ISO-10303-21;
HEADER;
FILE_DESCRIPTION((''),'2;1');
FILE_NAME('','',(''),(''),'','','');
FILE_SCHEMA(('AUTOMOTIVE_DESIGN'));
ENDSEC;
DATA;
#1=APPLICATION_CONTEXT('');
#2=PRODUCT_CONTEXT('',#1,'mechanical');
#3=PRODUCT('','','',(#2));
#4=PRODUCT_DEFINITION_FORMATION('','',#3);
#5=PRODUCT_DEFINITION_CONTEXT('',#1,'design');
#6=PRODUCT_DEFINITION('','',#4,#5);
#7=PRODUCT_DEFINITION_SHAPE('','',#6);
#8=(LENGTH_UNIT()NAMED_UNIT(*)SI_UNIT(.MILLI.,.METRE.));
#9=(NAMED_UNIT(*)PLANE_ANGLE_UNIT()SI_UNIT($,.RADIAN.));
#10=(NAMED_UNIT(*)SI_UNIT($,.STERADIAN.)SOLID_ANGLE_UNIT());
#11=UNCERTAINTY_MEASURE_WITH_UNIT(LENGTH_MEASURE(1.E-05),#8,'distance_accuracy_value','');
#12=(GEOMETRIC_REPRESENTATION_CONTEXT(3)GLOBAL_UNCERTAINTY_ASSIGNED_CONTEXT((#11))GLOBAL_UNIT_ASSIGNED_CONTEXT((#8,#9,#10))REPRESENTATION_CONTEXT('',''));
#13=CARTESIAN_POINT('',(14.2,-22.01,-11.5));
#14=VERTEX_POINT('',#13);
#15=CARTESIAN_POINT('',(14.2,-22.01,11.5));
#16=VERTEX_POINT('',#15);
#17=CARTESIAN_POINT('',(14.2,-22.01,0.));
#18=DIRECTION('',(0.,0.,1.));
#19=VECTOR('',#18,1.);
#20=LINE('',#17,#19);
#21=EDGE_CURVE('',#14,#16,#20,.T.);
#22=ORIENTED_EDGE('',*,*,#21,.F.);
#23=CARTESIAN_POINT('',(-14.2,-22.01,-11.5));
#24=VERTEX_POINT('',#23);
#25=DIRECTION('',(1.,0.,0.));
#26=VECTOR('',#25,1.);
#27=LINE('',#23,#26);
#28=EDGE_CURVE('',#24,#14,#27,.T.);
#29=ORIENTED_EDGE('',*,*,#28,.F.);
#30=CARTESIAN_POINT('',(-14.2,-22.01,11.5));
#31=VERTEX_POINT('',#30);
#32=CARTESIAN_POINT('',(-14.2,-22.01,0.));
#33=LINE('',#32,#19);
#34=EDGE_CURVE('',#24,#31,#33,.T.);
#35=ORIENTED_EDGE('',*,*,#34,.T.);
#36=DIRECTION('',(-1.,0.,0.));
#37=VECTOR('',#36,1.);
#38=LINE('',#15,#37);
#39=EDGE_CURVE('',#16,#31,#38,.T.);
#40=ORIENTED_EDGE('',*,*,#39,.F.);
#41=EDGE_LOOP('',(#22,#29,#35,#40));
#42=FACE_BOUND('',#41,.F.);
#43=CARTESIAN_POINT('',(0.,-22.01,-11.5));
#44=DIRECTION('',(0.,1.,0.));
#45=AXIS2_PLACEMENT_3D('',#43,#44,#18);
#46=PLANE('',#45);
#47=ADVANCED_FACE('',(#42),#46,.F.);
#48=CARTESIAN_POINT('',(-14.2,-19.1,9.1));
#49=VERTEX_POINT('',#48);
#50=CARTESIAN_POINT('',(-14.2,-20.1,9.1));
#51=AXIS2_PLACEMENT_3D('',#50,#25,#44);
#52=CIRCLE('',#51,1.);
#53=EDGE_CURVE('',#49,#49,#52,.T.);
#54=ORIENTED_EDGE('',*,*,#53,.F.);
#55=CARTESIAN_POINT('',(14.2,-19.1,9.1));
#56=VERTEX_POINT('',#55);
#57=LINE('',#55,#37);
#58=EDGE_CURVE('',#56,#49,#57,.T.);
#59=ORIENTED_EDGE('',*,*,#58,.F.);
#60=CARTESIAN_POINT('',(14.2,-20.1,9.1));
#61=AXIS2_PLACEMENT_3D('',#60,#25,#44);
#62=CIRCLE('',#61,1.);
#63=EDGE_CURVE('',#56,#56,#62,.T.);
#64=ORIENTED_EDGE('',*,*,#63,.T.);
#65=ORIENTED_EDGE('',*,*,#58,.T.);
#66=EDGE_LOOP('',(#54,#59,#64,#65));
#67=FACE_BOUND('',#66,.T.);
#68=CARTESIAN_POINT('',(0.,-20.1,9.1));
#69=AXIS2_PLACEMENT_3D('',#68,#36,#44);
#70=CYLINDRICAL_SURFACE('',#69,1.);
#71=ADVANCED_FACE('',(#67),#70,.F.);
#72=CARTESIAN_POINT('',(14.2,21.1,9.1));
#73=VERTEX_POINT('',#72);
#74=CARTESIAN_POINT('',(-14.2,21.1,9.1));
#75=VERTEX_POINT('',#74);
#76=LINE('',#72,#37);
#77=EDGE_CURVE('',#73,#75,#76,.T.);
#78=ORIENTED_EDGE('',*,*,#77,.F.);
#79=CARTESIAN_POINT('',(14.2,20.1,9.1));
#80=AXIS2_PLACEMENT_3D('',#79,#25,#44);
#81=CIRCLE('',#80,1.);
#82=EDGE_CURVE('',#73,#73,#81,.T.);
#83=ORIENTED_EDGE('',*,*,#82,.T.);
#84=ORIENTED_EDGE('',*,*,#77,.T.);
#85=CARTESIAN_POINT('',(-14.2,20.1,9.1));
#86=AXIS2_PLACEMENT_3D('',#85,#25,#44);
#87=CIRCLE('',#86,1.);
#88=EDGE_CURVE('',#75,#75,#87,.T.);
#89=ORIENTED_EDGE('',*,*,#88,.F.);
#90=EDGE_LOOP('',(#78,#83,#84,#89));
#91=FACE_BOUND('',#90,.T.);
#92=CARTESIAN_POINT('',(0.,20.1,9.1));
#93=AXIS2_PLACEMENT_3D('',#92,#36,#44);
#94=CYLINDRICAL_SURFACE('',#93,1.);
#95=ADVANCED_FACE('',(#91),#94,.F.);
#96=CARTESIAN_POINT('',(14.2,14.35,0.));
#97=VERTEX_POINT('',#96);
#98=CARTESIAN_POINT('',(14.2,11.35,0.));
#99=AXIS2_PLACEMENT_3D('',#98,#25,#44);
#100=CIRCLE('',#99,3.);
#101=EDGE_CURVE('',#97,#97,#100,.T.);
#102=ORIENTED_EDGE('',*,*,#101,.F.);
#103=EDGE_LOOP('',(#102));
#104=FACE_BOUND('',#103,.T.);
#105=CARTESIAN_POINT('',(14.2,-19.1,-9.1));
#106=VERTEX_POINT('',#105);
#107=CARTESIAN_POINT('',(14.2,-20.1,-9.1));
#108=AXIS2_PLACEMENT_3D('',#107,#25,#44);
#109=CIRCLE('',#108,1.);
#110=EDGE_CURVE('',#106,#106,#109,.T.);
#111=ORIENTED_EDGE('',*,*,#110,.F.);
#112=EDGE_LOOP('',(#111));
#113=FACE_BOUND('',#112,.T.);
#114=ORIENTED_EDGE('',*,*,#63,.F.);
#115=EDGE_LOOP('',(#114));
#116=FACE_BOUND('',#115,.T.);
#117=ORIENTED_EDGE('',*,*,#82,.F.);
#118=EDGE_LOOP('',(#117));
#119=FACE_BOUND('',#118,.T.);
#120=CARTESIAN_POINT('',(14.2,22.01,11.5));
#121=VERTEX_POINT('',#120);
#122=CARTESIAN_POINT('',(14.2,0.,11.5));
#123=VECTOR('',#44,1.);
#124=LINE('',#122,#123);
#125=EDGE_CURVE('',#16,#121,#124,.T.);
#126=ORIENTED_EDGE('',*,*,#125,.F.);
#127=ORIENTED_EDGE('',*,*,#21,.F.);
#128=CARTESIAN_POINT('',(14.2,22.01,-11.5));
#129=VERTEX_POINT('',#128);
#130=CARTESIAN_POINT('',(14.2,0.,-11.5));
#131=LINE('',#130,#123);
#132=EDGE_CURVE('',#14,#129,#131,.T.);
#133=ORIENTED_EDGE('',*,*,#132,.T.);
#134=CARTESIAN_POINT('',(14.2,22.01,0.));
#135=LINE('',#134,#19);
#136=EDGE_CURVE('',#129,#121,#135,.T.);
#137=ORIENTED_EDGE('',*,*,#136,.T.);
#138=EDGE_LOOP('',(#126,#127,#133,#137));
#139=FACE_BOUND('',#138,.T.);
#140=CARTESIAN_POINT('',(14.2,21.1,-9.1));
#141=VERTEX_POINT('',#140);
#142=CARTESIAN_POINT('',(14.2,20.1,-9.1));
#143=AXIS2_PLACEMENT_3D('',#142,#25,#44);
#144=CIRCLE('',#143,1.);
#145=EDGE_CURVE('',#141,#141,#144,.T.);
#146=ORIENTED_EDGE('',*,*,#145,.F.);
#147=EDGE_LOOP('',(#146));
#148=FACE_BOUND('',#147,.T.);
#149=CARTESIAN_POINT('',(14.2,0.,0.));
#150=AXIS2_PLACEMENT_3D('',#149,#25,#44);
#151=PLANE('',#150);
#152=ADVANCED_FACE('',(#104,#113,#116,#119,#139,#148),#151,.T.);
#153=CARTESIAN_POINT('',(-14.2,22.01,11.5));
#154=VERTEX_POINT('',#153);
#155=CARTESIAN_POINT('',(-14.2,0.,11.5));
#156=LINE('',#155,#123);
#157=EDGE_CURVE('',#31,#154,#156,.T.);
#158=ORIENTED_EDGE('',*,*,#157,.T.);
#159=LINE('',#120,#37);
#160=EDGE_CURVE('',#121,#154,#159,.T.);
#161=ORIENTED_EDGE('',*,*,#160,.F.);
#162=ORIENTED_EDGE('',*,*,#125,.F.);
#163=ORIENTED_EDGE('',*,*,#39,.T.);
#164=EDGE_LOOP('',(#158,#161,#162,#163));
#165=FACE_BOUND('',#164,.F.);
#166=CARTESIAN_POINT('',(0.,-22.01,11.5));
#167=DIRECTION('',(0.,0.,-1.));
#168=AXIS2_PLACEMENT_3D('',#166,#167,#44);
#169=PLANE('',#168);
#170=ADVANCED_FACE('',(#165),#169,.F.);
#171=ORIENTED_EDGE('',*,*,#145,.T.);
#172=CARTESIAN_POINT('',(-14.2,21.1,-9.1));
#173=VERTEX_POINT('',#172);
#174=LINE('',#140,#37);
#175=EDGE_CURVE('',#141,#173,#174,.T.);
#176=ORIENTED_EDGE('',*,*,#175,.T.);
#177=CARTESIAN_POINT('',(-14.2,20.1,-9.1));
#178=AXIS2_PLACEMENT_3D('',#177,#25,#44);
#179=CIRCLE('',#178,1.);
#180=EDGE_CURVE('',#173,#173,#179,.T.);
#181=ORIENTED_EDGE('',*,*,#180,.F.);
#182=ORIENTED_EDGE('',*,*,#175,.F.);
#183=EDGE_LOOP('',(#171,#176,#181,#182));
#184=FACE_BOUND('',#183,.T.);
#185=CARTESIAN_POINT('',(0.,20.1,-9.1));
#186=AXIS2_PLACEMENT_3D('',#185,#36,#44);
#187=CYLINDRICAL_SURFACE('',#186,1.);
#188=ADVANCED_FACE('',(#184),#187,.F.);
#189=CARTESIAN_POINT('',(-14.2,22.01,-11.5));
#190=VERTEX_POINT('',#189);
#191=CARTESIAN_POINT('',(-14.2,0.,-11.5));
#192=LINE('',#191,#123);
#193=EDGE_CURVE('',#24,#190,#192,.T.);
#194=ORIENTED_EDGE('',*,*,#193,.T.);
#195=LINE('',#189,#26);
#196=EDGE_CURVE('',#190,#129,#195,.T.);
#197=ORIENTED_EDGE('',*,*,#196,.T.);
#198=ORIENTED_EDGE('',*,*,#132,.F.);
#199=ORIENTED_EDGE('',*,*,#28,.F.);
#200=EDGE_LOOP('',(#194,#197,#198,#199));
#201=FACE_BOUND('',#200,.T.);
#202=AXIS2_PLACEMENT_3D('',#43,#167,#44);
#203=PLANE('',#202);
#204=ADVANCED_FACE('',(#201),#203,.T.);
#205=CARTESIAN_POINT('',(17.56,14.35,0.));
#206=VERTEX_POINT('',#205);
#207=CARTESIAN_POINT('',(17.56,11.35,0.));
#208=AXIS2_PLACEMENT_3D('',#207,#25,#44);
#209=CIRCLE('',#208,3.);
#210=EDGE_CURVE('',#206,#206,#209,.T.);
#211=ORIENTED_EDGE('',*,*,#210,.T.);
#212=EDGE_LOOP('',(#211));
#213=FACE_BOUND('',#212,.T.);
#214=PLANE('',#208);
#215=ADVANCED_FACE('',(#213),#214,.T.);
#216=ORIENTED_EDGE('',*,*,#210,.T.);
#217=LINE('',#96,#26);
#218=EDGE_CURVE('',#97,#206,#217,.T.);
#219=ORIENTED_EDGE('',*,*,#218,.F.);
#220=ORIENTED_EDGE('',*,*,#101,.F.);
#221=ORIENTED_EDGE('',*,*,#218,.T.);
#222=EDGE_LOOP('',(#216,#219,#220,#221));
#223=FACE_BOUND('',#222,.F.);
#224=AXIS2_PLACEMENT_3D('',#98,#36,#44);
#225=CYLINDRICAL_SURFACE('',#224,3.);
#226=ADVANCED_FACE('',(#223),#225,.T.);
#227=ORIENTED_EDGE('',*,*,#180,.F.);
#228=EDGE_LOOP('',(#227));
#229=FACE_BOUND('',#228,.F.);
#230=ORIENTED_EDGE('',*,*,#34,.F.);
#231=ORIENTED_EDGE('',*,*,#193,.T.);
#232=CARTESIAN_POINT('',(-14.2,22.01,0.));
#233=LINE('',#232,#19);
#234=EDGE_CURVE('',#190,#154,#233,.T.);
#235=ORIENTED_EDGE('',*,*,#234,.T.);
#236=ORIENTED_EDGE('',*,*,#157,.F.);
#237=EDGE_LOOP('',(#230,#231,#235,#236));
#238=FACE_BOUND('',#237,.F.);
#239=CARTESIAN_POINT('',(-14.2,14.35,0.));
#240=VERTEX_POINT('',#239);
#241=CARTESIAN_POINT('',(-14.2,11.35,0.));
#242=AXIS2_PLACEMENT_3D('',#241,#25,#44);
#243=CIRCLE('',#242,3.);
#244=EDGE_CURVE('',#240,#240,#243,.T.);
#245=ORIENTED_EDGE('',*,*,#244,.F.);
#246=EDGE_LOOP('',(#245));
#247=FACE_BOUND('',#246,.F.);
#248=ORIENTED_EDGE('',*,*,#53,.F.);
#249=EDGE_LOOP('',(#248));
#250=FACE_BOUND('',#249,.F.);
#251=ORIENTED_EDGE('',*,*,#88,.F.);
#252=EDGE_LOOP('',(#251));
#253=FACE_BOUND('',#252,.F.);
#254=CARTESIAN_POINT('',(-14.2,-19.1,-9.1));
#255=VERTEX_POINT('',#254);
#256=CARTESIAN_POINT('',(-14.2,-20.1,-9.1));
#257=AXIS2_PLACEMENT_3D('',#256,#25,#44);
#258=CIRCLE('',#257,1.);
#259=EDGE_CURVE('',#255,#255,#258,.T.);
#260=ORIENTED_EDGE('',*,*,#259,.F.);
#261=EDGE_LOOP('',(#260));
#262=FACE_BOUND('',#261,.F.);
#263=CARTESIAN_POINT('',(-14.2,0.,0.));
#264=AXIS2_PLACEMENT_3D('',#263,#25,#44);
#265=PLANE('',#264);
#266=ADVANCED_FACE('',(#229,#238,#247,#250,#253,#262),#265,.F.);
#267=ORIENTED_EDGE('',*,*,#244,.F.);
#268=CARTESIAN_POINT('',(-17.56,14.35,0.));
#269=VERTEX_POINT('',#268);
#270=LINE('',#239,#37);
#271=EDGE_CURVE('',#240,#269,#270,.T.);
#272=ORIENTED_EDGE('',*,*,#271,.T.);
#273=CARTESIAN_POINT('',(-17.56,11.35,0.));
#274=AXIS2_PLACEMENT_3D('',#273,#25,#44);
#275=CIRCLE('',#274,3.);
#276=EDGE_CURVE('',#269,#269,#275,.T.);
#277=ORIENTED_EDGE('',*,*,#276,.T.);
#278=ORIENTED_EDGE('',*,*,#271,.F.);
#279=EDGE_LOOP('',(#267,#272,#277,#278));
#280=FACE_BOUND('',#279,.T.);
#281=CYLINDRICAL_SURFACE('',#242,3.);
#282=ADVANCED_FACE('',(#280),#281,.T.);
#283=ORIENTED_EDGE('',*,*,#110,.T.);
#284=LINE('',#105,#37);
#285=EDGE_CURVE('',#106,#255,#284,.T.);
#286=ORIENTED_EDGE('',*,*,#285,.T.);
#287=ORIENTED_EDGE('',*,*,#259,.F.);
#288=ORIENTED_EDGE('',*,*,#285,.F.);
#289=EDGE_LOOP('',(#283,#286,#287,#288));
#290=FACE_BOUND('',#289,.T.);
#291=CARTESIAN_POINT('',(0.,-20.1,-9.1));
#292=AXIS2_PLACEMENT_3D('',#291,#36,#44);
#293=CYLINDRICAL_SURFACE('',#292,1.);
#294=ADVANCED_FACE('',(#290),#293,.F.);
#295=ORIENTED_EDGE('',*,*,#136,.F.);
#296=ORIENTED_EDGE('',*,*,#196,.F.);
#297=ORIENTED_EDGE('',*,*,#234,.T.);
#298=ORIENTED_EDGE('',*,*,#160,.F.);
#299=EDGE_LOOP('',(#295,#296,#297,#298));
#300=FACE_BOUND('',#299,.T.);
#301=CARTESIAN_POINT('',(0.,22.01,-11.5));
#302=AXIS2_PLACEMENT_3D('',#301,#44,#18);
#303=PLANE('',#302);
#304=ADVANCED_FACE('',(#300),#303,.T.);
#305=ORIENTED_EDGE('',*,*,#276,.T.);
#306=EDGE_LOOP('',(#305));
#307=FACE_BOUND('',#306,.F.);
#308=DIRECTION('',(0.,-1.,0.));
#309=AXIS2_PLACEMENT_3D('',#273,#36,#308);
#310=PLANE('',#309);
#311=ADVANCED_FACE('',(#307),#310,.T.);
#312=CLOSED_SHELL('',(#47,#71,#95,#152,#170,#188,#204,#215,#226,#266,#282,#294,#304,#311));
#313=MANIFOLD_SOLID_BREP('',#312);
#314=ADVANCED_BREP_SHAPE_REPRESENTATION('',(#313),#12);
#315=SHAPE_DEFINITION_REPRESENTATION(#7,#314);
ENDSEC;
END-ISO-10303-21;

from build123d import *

# Parameters (mm, degrees)
SKETCH_W     = 44.02
SKETCH_H     = 23
SKETCH_R     = 1
PAD_DEPTH    = 14.2
SKETCH001_R  = 3
PAD001_DEPTH = 3.36


with BuildPart() as part:
    # Sketch → Pad (new body, symmetric)
    with BuildSketch(Plane.YZ):
        Rectangle(SKETCH_W, SKETCH_H)
        with Locations((-20.1, -9.1)):
            Circle(SKETCH_R, mode=Mode.SUBTRACT)
        with Locations((20.1, -9.1)):
            Circle(SKETCH_R, mode=Mode.SUBTRACT)
        with Locations((-20.1, 9.1)):
            Circle(SKETCH_R, mode=Mode.SUBTRACT)
        with Locations((20.1, 9.1)):
            Circle(SKETCH_R, mode=Mode.SUBTRACT)
    extrude(amount=PAD_DEPTH, both=True)

    # Sketch001 (on Face10 of Pad) → Pad001 (join)
    with BuildSketch(Plane.YZ.offset(14.2)):
        with Locations((11.35, 0)):
            Circle(SKETCH001_R)
    pad001 = extrude(amount=PAD001_DEPTH)

    # Mirrored: Pad001 across YZ
    add(pad001.mirror(Plane.YZ))


solid = part.part
